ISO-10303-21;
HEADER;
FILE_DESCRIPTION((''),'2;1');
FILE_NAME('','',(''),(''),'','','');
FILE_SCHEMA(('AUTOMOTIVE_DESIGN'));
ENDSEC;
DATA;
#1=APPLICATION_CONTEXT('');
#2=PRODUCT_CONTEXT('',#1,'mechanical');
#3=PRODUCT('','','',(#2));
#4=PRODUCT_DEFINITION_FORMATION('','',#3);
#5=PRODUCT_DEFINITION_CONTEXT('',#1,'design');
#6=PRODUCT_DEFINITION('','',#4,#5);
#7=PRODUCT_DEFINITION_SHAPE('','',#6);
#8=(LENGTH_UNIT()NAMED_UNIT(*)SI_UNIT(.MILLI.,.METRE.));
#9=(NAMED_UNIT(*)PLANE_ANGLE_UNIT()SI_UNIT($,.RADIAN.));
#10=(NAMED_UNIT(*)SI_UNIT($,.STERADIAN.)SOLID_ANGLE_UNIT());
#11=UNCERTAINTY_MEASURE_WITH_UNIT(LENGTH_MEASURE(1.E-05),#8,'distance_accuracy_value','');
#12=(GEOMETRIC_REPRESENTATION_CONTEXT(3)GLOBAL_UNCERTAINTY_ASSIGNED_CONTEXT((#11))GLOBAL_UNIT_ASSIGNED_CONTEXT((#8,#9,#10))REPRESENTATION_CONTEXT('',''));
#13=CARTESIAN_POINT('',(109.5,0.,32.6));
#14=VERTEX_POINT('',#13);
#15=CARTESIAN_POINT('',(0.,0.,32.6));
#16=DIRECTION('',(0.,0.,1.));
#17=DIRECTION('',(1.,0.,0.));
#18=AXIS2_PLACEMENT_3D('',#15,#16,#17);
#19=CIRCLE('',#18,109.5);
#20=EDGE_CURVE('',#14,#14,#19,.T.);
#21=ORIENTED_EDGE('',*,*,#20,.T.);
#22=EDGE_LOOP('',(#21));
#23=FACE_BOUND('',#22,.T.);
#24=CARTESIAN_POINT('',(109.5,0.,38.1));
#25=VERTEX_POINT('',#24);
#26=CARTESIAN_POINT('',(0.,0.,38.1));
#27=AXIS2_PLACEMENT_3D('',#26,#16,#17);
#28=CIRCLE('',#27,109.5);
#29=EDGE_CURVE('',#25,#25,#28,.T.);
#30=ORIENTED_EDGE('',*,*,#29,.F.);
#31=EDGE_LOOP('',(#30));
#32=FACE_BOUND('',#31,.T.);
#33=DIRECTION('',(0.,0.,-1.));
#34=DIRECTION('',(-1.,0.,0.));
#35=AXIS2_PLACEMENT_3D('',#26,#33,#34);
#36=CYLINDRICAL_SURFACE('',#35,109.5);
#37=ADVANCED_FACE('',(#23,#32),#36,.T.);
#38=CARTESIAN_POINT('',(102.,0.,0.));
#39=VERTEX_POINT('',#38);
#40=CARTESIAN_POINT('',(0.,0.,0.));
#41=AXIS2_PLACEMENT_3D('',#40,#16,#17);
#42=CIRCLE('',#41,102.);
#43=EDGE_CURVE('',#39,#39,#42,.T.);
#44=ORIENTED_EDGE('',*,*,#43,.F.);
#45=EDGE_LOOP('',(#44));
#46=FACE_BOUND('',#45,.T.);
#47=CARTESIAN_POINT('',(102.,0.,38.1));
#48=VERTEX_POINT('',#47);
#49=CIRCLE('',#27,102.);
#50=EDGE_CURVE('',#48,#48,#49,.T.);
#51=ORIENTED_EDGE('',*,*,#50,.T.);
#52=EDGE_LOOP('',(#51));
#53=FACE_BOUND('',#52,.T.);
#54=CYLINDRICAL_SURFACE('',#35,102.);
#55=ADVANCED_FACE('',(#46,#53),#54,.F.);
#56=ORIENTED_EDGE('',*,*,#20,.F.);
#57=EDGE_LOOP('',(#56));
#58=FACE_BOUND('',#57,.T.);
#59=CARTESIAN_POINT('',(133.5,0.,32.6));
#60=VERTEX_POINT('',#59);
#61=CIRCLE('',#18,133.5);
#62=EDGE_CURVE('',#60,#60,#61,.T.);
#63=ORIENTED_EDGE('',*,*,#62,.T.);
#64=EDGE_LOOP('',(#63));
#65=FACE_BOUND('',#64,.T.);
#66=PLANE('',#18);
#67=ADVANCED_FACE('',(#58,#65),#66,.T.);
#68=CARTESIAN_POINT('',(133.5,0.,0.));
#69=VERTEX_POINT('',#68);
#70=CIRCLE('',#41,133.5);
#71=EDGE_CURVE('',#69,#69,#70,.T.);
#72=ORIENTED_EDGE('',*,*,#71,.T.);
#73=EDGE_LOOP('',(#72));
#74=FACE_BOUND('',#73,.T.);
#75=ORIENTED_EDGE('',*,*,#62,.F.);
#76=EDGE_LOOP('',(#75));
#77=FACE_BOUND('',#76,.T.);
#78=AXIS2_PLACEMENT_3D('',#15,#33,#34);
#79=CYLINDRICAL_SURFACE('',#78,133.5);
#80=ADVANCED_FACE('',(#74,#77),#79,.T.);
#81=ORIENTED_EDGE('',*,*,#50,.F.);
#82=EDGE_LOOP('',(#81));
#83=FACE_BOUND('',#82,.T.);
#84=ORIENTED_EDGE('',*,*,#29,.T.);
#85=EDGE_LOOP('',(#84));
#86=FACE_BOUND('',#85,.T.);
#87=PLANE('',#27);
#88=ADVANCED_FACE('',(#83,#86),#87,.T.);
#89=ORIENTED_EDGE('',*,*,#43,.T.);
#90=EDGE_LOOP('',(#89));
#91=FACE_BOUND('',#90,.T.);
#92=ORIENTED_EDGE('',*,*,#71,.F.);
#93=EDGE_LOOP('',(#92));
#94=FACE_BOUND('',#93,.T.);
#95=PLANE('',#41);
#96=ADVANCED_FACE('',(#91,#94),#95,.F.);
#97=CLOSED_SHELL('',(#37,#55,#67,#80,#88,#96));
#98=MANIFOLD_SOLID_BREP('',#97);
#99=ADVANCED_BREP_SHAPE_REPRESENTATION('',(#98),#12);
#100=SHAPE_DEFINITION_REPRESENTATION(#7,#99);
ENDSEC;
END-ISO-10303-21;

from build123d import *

# Parameters (mm, degrees)
SKETCH1_R           = 109.5
SKETCH1_R_2         = 102
BOSS_EXTRUDE1_DEPTH = 38.1
SKETCH1_3_R         = 133.5
SKETCH1_3_R_2       = 109.5
BOSS_EXTRUDE2_DEPTH = 32.6


with BuildPart() as part:
    # Sketch1 → Boss-Extrude1 (new body)
    with BuildSketch(Plane.XY):
        Circle(SKETCH1_R)
        Circle(SKETCH1_R_2, mode=Mode.SUBTRACT)
    extrude(amount=BOSS_EXTRUDE1_DEPTH)

    # Sketch1<3> → Boss-Extrude2 (add)
    with BuildSketch(Plane.XY):
        Circle(SKETCH1_3_R)
        Circle(SKETCH1_3_R_2, mode=Mode.SUBTRACT)
    extrude(amount=BOSS_EXTRUDE2_DEPTH)


solid = part.part
